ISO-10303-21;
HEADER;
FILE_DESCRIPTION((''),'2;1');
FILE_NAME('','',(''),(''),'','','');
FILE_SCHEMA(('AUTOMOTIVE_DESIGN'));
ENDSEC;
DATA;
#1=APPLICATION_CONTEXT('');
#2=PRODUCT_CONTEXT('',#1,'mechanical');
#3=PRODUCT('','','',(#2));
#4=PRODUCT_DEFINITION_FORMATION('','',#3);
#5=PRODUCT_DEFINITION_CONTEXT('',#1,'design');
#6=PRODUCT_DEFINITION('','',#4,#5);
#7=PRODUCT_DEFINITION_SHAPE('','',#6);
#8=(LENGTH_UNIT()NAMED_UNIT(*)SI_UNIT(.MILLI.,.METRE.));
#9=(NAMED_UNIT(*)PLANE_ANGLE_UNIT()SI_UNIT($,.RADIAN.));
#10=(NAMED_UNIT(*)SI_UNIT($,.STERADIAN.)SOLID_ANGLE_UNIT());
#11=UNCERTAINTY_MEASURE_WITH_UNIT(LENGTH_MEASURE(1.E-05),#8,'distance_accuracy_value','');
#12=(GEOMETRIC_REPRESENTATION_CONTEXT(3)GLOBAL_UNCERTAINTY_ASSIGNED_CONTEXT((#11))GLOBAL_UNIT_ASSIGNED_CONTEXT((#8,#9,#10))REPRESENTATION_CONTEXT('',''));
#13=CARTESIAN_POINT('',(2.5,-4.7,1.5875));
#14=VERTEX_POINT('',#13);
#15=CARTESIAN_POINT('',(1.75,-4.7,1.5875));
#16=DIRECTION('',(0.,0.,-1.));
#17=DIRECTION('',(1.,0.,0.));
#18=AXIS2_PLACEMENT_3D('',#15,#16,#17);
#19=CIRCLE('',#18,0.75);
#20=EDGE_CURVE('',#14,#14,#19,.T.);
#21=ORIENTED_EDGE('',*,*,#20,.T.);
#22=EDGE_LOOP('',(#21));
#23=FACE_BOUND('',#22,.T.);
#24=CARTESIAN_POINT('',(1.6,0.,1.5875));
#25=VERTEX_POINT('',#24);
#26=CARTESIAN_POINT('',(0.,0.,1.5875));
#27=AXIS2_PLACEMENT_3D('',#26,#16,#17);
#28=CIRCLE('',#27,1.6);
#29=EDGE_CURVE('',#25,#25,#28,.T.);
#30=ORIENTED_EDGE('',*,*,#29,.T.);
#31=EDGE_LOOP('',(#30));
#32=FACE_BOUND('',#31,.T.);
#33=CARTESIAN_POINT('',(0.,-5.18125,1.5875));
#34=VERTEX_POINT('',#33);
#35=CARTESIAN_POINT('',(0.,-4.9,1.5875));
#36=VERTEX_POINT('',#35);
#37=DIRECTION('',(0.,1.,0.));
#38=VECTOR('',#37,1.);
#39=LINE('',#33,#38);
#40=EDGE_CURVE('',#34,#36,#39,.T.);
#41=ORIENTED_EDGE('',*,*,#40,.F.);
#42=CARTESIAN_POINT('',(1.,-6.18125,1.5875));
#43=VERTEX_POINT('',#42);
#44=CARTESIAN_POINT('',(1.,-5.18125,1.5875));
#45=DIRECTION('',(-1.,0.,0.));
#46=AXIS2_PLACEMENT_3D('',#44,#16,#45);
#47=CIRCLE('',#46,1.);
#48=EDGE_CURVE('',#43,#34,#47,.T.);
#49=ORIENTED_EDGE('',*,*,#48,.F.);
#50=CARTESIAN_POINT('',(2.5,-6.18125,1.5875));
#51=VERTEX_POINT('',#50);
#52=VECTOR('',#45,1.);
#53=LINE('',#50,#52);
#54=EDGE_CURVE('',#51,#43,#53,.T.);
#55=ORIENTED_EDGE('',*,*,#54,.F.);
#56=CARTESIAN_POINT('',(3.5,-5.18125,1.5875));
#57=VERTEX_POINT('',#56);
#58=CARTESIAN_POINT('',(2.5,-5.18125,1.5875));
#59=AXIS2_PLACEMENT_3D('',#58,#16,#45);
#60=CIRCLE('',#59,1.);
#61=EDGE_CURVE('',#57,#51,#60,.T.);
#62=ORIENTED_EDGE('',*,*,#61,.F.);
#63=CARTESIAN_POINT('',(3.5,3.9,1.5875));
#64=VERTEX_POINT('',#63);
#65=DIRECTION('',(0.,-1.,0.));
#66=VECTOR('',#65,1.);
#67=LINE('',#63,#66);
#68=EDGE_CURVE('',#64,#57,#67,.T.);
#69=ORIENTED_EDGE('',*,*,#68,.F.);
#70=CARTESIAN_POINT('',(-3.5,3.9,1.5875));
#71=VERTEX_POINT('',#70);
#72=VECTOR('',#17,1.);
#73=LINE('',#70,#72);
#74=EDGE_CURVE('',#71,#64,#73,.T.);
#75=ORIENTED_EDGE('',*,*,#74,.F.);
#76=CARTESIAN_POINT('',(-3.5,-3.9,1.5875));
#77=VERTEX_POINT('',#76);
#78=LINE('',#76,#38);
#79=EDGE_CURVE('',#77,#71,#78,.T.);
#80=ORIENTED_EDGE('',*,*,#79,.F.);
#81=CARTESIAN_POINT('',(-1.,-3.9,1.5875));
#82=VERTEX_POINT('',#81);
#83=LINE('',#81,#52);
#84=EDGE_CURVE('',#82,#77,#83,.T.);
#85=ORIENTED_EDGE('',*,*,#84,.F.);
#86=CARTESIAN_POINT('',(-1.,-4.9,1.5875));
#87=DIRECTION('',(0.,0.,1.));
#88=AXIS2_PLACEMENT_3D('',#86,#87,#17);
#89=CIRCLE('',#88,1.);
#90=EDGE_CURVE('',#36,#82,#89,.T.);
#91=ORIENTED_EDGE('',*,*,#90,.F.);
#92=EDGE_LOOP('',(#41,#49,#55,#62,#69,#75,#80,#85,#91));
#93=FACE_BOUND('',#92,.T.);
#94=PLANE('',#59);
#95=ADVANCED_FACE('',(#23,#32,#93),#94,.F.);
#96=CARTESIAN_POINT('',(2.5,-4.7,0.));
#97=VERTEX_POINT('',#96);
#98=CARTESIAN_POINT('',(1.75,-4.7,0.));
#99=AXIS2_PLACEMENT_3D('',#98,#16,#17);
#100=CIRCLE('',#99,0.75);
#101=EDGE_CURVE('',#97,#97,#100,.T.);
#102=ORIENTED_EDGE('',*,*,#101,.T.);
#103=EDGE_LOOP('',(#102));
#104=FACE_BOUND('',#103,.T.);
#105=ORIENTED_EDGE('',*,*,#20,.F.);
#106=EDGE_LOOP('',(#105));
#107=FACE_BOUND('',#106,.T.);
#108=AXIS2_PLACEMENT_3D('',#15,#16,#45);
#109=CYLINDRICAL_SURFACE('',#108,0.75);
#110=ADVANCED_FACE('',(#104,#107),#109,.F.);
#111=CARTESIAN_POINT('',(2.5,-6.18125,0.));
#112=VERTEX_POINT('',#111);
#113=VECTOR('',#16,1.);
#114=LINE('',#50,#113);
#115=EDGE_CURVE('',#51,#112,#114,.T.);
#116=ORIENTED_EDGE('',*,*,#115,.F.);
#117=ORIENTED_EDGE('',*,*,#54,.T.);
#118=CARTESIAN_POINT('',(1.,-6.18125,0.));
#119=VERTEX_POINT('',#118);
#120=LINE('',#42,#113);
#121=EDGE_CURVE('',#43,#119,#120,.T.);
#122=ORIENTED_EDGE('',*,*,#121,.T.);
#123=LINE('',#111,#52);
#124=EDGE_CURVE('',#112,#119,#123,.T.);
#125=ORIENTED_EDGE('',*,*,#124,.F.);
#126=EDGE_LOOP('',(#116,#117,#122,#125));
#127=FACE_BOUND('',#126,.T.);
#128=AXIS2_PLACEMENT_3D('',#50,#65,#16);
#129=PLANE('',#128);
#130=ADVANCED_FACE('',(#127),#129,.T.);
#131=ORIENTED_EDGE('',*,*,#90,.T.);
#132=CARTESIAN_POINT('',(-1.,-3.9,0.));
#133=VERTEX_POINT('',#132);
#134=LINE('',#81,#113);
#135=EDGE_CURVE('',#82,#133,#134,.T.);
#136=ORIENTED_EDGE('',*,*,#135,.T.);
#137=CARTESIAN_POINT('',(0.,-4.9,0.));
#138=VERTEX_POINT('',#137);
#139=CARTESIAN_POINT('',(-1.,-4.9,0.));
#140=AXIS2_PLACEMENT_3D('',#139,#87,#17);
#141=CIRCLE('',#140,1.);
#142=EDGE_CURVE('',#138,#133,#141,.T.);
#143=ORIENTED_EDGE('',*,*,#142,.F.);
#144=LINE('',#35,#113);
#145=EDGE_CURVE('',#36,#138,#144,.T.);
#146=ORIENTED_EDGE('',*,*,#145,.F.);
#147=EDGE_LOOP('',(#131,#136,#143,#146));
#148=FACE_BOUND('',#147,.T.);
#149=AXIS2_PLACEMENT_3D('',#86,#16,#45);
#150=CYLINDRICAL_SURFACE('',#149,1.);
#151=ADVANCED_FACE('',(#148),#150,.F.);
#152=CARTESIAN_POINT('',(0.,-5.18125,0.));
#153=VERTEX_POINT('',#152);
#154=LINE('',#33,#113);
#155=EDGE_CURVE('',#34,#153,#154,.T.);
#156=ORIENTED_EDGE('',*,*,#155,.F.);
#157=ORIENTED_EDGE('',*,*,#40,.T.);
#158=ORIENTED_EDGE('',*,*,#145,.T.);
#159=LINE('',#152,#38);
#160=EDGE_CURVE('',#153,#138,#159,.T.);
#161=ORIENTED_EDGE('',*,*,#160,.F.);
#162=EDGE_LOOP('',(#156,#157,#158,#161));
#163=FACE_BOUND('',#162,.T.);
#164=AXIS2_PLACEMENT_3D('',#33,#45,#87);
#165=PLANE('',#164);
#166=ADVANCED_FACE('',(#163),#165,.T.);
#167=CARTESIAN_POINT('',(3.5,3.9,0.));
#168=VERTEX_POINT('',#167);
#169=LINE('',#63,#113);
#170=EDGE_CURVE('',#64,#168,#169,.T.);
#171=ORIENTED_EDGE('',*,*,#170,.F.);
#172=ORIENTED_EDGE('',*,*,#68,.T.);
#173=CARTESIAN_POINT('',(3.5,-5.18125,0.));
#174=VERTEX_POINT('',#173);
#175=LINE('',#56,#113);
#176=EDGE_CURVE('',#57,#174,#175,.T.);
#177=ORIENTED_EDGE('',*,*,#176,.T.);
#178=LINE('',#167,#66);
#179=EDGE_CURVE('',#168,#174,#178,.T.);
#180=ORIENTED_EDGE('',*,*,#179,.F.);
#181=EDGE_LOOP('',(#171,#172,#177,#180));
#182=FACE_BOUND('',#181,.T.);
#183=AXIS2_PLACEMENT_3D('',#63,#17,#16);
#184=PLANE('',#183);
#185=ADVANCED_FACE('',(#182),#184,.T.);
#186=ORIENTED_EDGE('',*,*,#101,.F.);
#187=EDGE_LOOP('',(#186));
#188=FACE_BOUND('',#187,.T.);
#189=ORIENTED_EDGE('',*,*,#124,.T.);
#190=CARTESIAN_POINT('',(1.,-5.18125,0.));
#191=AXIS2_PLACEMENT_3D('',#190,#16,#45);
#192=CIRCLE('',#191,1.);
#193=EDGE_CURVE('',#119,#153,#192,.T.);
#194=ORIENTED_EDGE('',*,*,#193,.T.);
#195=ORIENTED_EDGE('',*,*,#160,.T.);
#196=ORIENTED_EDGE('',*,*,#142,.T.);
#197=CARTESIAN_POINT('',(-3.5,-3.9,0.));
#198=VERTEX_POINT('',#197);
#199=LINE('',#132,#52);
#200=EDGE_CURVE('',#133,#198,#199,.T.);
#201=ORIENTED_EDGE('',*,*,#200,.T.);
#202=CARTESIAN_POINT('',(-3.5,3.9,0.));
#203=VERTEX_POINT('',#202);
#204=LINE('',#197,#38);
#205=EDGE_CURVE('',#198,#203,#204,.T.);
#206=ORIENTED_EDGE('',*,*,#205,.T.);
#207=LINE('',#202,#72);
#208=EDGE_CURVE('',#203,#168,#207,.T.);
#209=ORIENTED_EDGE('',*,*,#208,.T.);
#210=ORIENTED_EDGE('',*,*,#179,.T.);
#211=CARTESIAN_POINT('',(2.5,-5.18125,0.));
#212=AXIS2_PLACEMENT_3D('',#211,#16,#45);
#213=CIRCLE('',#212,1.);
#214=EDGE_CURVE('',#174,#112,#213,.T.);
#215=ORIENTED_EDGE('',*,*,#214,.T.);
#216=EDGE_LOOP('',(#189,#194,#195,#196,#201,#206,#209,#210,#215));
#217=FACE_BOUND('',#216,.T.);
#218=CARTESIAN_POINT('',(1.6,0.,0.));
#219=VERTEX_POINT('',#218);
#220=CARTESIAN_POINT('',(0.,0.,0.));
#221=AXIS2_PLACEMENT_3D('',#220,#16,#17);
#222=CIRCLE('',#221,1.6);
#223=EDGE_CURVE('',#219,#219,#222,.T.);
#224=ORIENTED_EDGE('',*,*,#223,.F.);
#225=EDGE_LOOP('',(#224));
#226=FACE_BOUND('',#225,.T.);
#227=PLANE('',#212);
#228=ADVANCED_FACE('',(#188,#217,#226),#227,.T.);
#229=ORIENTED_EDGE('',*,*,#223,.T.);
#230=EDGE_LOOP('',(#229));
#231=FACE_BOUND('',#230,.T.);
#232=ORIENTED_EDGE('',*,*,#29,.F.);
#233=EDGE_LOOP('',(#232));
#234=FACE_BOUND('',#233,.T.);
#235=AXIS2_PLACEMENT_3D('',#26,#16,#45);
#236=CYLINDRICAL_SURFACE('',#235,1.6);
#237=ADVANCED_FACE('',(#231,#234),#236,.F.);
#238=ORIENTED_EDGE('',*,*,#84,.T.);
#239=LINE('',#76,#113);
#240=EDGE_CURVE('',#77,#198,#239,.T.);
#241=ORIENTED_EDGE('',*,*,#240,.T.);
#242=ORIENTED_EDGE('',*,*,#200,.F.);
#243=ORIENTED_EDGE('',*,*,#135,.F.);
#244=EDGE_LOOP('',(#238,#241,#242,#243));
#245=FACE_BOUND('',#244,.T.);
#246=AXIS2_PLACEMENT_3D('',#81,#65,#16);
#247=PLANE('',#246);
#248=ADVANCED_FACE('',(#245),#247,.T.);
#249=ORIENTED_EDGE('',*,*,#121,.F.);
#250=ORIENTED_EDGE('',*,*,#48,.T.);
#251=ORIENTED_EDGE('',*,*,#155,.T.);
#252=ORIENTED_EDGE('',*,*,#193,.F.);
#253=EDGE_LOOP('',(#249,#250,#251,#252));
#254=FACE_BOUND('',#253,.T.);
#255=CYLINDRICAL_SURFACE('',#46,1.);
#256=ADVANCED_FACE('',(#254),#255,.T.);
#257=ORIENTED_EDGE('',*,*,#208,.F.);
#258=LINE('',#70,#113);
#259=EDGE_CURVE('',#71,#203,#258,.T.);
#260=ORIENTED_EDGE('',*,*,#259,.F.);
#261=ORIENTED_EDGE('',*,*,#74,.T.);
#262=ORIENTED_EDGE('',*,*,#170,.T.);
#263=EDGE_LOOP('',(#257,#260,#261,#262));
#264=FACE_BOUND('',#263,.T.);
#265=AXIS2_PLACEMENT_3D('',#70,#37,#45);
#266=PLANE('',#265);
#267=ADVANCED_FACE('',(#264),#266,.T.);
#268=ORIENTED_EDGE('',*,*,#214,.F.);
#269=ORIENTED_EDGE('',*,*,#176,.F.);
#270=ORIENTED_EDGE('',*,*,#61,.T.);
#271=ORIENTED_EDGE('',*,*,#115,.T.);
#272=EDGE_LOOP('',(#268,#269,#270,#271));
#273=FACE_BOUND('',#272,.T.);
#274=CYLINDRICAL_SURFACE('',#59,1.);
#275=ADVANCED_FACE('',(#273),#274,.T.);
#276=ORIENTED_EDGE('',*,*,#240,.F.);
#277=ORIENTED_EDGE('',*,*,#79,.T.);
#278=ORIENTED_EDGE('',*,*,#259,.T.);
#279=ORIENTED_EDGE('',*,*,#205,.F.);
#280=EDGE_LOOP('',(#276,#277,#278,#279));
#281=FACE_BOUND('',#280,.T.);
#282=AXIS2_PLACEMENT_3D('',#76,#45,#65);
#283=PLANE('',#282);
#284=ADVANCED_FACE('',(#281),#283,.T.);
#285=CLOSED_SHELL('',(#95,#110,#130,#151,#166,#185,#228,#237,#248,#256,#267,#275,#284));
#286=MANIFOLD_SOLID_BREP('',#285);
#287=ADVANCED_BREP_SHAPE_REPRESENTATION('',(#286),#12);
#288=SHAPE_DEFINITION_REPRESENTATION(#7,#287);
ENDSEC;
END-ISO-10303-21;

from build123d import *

# Parameters (mm, degrees)
SKETCH1_R           = 0.75
SKETCH1_R_2         = 1.6
BOSS_EXTRUDE1_DEPTH = 1.5875


with BuildPart() as part:
    # Sketch1 → Boss-Extrude1 (new body)
    with BuildSketch(Plane(origin=(0, 0, 0), x_dir=(-1, 0, 0), z_dir=(0, 0, -1))):
        with BuildLine():
            Line((3.5, -3.9), (3.5, 3.9))
            Line((3.5, 3.9), (-3.5, 3.9))
            Line((-3.5, 3.9), (-3.5, -5.18125))
            ThreePointArc((-3.5, -5.18125), (-3.207106781, -5.888356781), (-2.5, -6.18125))
            Line((-2.5, -6.18125), (-1, -6.18125))
            ThreePointArc((-1, -6.18125), (-0.292893219, -5.888356781), (0, -5.18125))
            Line((0, -5.18125), (0, -4.9))
            ThreePointArc((0, -4.9), (0.292893219, -4.192893219), (1, -3.9))
            Line((1, -3.9), (3.5, -3.9))
        make_face()
        with Locations((-1.75, -4.7)):
            Circle(SKETCH1_R, mode=Mode.SUBTRACT)
        Circle(SKETCH1_R_2, mode=Mode.SUBTRACT)
    extrude(amount=-BOSS_EXTRUDE1_DEPTH)


solid = part.part
